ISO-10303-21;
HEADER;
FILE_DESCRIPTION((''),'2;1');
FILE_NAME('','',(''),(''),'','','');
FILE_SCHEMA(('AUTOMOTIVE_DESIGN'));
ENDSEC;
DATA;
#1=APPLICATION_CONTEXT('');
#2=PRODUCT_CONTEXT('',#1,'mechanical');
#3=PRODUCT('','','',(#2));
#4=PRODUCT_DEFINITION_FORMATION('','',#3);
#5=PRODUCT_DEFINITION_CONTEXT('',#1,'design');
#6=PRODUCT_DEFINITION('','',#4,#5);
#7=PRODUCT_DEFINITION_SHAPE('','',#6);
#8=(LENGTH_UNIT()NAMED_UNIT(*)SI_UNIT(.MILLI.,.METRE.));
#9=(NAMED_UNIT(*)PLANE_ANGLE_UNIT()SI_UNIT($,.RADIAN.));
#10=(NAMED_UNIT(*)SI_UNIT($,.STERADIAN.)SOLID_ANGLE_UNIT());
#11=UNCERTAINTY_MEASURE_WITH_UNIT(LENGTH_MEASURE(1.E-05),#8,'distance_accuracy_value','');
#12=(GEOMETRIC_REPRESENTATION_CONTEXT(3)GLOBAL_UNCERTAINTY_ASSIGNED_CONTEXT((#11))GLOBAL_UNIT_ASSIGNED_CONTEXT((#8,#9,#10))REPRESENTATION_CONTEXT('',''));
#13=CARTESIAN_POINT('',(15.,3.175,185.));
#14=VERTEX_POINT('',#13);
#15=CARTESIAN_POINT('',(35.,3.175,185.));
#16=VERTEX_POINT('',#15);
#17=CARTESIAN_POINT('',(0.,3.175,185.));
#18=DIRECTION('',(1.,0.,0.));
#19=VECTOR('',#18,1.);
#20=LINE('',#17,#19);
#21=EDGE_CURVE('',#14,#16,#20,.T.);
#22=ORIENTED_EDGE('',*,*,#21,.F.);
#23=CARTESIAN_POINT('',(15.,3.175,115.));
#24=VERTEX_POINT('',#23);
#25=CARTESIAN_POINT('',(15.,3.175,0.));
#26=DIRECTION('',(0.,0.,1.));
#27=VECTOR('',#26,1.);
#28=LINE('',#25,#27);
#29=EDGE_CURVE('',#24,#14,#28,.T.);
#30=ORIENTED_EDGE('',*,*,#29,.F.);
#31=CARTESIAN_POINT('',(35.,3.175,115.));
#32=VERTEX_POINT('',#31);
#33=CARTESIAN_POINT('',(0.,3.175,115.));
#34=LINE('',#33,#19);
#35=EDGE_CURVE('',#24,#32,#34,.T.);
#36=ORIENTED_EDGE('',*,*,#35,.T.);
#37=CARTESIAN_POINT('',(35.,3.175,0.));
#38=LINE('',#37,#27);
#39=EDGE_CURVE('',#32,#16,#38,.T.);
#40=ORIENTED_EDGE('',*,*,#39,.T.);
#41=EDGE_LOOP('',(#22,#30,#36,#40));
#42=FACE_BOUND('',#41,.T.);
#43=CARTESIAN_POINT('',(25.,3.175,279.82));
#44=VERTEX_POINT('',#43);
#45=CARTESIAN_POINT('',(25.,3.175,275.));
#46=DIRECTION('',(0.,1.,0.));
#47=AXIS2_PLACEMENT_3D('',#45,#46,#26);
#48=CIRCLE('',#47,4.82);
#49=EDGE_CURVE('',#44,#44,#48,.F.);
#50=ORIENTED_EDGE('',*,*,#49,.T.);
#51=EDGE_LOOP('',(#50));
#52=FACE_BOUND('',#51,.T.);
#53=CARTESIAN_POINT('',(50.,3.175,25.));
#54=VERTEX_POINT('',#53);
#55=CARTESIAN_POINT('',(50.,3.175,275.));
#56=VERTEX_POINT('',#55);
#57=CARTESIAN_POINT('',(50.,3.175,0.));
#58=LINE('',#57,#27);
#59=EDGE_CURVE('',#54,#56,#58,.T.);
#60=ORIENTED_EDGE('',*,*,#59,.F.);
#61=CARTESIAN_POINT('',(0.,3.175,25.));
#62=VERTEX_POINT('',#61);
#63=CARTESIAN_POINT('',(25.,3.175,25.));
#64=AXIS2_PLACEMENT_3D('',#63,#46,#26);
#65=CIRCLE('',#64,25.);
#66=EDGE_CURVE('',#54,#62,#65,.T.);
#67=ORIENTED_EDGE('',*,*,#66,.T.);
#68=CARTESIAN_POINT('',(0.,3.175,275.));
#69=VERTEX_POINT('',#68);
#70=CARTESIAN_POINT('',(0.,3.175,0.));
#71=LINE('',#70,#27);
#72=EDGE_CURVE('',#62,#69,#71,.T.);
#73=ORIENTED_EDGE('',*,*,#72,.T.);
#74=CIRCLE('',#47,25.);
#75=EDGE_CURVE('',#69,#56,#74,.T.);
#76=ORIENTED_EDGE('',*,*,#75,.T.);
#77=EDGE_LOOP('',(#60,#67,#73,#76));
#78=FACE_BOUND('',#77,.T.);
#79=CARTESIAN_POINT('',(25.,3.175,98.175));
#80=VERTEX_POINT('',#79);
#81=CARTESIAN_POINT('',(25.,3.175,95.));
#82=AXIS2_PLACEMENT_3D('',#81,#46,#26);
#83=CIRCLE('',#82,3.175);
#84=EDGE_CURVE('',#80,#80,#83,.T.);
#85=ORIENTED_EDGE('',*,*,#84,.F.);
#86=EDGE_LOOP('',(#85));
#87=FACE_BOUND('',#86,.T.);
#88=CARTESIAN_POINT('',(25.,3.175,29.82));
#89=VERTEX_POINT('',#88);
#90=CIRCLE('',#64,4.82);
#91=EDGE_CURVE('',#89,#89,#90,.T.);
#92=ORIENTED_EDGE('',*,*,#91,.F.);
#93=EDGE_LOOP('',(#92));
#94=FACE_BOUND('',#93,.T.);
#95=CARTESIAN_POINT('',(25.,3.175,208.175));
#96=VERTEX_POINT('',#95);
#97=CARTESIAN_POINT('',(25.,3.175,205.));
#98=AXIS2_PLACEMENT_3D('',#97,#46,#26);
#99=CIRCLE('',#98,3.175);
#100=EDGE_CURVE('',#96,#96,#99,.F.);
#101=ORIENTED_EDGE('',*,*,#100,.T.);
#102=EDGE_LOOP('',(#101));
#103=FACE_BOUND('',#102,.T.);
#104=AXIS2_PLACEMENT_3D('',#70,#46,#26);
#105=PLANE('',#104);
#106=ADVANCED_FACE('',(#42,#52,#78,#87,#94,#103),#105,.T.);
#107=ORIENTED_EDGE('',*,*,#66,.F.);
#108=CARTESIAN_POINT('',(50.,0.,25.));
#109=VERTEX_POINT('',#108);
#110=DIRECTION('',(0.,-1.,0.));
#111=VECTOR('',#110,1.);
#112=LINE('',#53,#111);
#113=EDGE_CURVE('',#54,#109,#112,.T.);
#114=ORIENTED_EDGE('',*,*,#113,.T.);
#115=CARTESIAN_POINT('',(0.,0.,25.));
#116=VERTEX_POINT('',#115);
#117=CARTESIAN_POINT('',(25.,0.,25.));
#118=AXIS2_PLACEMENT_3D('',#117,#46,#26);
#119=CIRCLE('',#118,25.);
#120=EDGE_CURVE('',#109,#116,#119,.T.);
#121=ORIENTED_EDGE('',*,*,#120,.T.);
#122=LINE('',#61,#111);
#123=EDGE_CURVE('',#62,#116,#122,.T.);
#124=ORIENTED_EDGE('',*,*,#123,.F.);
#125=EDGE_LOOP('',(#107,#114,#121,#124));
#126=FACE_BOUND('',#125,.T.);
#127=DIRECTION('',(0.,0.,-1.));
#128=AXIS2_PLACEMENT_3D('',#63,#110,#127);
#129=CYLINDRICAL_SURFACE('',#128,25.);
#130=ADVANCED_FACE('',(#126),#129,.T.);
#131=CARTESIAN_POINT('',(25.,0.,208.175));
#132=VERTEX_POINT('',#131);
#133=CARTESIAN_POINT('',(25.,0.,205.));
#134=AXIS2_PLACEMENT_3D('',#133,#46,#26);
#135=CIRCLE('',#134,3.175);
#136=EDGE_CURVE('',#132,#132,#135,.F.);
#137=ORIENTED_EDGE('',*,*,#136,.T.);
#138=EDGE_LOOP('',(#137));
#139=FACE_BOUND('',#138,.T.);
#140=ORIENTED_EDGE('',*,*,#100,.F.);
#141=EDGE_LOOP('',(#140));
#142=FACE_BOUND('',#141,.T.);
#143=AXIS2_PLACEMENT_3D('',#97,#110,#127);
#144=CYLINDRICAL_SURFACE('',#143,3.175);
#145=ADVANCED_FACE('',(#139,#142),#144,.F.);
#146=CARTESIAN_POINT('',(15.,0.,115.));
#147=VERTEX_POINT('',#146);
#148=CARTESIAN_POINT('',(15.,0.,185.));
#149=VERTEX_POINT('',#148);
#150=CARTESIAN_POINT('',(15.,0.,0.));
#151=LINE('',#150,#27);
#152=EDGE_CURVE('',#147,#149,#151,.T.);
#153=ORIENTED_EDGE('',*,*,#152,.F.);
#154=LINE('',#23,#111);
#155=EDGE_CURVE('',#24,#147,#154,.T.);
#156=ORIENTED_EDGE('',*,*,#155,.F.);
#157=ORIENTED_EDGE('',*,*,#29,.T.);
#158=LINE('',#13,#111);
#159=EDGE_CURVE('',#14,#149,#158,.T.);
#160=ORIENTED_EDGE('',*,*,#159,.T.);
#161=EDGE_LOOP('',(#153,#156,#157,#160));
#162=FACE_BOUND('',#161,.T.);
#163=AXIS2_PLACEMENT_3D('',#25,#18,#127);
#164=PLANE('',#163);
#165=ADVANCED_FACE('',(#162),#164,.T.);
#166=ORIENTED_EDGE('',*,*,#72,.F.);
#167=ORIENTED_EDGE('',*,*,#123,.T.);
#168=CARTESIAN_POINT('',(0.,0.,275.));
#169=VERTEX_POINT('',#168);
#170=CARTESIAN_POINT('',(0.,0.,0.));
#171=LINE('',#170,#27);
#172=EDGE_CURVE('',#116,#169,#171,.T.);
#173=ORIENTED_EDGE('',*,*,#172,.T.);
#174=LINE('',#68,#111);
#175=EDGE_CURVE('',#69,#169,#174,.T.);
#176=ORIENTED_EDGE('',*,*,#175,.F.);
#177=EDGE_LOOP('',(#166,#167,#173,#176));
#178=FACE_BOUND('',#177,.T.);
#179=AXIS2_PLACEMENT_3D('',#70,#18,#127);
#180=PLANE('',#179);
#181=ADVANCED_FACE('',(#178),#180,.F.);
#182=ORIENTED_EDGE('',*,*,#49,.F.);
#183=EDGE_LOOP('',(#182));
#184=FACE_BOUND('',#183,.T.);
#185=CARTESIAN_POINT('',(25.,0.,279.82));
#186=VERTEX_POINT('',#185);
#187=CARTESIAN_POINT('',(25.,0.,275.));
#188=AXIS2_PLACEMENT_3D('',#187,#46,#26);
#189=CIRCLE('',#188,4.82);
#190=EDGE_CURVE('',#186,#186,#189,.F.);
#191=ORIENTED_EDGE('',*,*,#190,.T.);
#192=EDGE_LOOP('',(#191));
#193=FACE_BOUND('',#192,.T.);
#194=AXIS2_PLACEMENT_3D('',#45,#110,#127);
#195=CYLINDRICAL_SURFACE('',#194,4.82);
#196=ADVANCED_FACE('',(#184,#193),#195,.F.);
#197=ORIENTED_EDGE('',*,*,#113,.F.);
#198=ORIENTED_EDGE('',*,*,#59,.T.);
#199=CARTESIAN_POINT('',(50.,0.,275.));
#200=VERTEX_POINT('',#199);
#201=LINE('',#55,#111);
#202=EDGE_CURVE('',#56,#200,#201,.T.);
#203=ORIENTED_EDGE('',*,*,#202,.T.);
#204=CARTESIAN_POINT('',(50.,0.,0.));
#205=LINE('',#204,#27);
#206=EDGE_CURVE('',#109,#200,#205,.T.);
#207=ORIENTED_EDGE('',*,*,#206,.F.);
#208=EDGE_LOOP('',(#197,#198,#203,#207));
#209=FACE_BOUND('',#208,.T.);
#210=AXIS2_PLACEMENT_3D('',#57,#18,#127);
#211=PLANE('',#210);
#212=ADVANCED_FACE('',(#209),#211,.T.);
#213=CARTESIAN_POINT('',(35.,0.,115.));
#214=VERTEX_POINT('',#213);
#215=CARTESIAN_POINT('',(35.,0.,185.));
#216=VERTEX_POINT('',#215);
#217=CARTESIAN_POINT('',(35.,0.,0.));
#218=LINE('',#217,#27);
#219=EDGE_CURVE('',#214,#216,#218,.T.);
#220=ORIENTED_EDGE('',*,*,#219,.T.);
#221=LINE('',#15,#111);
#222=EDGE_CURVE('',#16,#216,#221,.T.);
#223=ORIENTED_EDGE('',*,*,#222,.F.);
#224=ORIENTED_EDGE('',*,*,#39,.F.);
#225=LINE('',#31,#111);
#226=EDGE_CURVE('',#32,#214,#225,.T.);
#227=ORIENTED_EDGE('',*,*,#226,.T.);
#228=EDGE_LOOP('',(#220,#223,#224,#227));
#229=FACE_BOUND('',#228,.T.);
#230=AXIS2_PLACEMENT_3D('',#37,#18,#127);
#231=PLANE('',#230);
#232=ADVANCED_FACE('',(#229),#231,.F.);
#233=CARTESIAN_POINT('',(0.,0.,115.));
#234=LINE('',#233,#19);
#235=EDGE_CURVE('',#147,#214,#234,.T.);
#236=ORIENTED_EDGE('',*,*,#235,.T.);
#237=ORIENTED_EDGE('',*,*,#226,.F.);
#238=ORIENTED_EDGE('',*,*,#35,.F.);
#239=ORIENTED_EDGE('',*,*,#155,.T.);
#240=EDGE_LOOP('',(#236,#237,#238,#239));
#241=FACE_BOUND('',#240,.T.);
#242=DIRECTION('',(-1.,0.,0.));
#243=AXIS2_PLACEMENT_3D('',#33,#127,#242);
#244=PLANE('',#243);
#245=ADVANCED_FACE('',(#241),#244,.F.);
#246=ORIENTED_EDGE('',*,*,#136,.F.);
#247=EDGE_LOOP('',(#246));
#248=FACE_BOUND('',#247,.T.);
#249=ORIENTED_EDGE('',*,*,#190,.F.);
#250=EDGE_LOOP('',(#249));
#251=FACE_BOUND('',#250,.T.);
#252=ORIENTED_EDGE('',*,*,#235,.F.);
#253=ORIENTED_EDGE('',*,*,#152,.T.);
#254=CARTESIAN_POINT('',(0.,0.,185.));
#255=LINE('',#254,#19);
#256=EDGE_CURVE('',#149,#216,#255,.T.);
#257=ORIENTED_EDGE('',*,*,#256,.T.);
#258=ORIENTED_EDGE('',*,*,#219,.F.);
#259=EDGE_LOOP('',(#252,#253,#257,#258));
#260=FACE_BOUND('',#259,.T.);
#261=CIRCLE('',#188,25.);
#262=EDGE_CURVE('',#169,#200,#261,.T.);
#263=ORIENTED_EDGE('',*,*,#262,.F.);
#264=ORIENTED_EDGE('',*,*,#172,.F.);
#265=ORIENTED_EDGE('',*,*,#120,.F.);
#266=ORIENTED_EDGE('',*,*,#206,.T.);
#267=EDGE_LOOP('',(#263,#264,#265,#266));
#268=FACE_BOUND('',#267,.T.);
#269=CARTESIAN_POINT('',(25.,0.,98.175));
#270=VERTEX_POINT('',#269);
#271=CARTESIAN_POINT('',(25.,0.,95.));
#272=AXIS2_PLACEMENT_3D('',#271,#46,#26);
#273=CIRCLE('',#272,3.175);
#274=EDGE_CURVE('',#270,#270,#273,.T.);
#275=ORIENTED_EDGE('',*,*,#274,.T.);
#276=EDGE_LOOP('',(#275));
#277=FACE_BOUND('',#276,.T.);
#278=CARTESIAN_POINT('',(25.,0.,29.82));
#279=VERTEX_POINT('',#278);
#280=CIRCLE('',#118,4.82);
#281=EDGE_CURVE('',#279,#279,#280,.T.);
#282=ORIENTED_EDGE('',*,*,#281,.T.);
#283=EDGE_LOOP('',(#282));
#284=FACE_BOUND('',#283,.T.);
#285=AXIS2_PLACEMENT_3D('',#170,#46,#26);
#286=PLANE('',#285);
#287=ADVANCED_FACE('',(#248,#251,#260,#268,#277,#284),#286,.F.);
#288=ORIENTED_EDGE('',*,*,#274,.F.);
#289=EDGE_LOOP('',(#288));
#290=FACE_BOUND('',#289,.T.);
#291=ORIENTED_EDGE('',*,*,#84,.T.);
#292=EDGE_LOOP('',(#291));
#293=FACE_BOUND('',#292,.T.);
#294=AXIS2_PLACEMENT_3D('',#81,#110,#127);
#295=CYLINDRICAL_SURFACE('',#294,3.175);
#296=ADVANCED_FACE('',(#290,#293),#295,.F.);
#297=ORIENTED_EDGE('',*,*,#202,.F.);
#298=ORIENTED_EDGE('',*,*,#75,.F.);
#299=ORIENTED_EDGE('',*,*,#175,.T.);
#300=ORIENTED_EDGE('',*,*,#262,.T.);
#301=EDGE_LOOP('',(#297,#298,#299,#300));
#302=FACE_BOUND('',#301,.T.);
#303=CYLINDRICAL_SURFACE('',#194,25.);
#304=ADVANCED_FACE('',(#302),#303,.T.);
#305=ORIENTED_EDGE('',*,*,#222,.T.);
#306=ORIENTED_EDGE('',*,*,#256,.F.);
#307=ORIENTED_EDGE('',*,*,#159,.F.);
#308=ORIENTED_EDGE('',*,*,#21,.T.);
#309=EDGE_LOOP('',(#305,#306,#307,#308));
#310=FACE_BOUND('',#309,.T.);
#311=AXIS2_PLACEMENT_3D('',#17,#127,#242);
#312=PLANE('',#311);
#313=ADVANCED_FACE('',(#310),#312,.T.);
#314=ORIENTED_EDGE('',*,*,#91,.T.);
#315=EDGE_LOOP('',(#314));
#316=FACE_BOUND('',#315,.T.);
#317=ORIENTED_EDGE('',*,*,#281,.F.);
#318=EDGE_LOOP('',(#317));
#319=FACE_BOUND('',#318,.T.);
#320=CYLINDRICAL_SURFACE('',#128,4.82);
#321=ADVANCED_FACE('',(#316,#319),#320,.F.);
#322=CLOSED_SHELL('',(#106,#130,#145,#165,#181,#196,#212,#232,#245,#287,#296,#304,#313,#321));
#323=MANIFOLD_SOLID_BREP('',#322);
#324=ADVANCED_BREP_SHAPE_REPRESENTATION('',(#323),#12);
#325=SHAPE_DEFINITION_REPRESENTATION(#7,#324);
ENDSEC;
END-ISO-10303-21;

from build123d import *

# Parameters (mm, degrees)
SKETCH1_R           = 4.82
SKETCH1_R_2         = 3.175
SKETCH1_W           = 20
SKETCH1_H           = 70
BOSS_EXTRUDE1_DEPTH = 3.175


with BuildPart() as part:
    # Sketch1 → Boss-Extrude1 (new body)
    with BuildSketch(Plane(origin=(0, 0, 0), x_dir=(1, 0, 0), z_dir=(0, 1, 0))):
        with BuildLine():
            ThreePointArc((50, -25), (25, 0), (0, -25))
            Line((0, -25), (0, -274.999999959))
            ThreePointArc((0, -274.999999959), (24.999999979, -300), (50, -275))
            Line((50, -275), (50, -25))
        make_face()
        with Locations(Location((25, -25, 0), (0, 0, 270))):
            Circle(SKETCH1_R, mode=Mode.SUBTRACT)
        with Locations(Location((25, -95, 0), (0, 0, 270))):
            Circle(SKETCH1_R_2, mode=Mode.SUBTRACT)
        with Locations(Location((25, -205, 0), (0, 0, 270))):
            Circle(SKETCH1_R_2, mode=Mode.SUBTRACT)
        with Locations((25, -150)):
            Rectangle(SKETCH1_W, SKETCH1_H, mode=Mode.SUBTRACT)
        with Locations(Location((25, -275, 0), (0, 0, 270))):
            Circle(SKETCH1_R, mode=Mode.SUBTRACT)
    extrude(amount=BOSS_EXTRUDE1_DEPTH)


solid = part.part
